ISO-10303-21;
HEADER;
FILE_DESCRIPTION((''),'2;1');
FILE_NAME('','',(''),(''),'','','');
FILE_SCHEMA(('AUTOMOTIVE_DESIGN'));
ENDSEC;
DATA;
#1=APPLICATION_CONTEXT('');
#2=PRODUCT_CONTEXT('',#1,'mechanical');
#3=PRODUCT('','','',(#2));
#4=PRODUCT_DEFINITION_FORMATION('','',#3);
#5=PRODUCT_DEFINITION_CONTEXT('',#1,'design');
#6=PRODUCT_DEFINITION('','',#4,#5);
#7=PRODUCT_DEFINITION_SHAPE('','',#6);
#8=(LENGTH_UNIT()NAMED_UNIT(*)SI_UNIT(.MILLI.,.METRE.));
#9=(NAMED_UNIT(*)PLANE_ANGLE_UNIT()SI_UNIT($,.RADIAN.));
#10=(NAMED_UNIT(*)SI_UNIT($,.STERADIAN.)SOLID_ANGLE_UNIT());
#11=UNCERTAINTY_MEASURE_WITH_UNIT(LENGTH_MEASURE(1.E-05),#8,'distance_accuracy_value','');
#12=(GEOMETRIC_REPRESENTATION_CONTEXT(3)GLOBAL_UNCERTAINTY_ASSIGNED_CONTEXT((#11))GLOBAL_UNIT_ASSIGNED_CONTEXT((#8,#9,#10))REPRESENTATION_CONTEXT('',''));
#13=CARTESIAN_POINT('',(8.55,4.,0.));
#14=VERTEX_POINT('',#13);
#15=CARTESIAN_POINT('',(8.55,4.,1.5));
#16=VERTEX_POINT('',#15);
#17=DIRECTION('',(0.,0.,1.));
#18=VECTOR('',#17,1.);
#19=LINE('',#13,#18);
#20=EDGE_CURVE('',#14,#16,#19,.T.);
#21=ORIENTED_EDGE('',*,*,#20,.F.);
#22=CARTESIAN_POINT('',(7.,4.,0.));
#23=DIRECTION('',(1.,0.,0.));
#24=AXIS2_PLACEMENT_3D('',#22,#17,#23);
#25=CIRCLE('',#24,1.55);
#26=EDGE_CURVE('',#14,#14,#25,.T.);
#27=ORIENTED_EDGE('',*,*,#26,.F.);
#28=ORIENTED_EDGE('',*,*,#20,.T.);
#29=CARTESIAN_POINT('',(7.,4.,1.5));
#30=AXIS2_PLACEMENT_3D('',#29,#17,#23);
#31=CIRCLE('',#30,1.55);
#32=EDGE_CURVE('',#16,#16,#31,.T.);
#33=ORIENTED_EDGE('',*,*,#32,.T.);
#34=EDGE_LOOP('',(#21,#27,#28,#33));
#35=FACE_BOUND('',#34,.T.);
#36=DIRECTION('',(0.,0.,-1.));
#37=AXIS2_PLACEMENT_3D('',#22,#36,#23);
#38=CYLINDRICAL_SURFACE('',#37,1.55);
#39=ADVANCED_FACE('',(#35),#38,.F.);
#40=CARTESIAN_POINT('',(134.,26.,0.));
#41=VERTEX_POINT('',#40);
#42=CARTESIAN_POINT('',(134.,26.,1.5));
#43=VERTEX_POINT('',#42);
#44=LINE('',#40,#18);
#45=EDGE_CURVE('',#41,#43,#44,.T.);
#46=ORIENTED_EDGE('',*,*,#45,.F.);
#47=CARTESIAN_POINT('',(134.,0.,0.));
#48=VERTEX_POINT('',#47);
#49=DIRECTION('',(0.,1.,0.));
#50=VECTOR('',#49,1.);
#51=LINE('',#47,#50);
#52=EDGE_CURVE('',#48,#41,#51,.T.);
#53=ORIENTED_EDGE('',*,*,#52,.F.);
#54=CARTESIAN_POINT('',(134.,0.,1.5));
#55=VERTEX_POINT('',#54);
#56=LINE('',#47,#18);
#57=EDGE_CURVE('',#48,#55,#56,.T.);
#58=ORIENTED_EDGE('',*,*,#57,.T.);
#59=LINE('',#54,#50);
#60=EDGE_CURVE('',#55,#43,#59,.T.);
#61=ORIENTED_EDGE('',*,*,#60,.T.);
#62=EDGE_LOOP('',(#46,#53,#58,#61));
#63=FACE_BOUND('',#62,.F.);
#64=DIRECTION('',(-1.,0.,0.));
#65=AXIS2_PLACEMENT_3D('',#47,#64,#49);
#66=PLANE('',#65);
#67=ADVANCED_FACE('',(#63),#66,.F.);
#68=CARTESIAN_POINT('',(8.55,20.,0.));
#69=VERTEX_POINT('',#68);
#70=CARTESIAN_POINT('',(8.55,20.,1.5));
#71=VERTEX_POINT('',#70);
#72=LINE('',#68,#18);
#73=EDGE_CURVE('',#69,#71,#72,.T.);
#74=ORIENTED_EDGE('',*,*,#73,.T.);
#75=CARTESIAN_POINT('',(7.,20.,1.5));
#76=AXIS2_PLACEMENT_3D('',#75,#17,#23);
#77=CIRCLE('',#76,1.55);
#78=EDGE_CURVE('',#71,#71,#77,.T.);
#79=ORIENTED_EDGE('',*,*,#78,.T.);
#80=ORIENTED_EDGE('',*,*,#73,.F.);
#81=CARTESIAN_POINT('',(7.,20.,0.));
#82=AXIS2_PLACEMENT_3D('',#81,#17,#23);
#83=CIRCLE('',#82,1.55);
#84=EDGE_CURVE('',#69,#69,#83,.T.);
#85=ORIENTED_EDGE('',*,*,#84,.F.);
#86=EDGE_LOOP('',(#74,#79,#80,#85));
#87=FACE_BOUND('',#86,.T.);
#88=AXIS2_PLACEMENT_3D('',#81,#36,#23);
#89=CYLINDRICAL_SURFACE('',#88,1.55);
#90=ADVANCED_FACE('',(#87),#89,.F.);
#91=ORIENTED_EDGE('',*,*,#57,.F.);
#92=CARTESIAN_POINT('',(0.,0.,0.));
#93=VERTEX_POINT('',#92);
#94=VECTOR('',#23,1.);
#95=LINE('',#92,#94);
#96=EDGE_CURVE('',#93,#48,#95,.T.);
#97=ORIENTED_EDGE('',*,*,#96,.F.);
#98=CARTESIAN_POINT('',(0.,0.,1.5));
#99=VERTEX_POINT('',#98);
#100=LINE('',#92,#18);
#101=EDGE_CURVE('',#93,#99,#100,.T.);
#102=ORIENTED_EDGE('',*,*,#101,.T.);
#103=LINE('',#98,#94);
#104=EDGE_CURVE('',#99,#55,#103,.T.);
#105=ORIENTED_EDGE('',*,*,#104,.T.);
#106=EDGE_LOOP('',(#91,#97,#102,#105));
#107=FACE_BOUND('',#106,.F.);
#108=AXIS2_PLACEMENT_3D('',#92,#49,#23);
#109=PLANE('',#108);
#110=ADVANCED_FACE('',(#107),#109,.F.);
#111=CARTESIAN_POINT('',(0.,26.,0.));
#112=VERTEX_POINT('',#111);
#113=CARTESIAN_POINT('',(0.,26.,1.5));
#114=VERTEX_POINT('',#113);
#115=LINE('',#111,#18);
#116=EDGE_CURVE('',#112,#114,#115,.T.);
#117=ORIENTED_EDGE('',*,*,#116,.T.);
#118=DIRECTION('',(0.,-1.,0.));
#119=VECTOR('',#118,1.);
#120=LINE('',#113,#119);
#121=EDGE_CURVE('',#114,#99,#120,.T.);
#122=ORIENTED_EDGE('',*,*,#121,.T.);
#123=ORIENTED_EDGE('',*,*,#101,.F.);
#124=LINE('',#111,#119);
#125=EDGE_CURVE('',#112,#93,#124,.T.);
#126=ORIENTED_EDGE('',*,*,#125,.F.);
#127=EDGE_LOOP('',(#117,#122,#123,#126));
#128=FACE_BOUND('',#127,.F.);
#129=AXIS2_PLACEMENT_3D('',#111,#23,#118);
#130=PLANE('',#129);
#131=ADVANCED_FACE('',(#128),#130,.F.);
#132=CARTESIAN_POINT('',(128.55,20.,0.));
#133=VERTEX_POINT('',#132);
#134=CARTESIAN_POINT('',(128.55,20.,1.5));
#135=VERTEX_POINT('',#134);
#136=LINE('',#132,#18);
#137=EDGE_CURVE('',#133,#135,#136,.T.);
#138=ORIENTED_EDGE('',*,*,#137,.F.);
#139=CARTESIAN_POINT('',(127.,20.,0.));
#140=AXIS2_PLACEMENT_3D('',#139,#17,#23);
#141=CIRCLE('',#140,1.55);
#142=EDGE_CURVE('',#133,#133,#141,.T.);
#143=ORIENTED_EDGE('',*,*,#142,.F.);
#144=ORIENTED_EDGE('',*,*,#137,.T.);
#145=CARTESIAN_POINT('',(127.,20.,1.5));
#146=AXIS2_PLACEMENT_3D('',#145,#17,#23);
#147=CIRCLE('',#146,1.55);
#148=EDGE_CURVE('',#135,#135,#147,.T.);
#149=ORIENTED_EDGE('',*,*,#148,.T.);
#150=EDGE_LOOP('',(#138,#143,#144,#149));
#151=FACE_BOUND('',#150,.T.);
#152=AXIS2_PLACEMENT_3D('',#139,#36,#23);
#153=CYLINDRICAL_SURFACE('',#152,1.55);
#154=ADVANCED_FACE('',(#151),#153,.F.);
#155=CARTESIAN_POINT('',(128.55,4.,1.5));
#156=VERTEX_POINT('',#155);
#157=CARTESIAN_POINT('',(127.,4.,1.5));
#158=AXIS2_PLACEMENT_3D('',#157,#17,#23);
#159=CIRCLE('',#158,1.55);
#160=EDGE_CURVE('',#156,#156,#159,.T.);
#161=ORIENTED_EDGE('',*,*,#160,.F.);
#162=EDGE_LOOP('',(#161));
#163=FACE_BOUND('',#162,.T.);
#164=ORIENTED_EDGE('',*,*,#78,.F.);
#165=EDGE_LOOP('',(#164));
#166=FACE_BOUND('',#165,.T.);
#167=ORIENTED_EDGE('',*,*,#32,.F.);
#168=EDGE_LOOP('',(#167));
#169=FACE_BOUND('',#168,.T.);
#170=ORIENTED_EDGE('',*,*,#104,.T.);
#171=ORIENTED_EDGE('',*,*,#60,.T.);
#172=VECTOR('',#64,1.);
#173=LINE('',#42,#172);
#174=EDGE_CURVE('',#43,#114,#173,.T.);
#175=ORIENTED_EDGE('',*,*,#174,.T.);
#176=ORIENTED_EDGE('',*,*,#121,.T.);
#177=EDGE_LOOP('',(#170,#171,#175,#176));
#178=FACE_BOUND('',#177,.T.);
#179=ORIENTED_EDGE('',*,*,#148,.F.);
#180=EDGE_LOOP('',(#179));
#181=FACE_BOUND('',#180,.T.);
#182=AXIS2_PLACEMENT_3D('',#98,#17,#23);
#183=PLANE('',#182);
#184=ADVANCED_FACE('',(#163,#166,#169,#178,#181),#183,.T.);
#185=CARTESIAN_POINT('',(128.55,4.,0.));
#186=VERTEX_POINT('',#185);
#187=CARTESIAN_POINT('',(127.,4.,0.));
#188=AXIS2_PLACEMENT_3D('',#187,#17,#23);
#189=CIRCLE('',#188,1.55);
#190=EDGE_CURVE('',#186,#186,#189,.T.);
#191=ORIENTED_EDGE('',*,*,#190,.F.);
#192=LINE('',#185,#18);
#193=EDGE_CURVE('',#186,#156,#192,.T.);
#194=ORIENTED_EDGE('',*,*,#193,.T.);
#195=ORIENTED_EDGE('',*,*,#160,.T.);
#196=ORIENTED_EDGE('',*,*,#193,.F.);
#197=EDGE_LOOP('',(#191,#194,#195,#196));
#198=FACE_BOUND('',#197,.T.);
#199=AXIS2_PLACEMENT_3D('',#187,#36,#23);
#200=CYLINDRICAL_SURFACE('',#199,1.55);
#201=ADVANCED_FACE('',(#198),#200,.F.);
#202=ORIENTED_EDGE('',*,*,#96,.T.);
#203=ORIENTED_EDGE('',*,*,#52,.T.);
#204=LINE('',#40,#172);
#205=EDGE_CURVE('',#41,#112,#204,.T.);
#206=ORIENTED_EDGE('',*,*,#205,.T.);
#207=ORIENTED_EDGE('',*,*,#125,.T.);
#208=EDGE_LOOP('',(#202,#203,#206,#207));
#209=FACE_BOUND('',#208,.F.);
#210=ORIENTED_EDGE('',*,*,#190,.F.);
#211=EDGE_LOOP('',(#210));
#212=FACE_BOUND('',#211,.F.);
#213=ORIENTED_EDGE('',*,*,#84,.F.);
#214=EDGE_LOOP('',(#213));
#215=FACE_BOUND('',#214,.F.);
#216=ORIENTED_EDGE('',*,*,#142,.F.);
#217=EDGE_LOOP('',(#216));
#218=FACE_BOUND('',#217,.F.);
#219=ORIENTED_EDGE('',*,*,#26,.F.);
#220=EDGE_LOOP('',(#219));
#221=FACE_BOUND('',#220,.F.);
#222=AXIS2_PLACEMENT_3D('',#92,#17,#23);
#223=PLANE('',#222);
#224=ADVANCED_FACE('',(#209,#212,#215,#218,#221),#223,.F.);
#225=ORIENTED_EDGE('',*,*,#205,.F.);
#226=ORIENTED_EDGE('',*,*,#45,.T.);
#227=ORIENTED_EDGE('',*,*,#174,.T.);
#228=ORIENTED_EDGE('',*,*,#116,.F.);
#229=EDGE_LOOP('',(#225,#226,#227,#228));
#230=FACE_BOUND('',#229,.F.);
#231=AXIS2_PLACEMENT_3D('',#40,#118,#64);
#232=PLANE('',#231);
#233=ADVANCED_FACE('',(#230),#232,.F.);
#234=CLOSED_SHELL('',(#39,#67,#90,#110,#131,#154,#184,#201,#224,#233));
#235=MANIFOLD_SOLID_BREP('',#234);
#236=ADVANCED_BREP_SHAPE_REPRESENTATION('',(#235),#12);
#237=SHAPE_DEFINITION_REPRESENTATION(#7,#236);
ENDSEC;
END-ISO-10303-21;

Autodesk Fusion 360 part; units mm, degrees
sketch "Sketch1" plane through (0, 0, 0) normal (0, 0, 1) x (1, 0, 0)
  line L0 (0, 0) -> (134, 0)
  line L1 (134, 0) -> (134, 26)
  line L2 (134, 26) -> (0, 26)
  line L3 (0, 26) -> (0, 0)
  circle A0 centre (7, 20) radius 1.55
  circle A1 centre (7, 4) radius 1.55
  circle A2 centre (127, 20) radius 1.55
  circle A3 centre (127, 4) radius 1.55
  dimension "d1" = 134
  dimension "d2" = 26
  dimension "d3" = 3.1
  dimension "d4" = 7
  dimension "d5" = 6
  dimension "d6" = 3.1
  dimension "d7" = 7
  dimension "d8" = 4
  dimension "d9" = 3.1
  dimension "d10" = 3.1
  dimension "d11" = 7
  dimension "d12" = 7
  dimension "d13" = 6
  dimension "d14" = 4
extrude "Extrude1" add sketch "Sketch1" along normal blind 1.5
equation "d6 = d3"
equation "d7 = d4"
equation "d9 = d3"
equation "d10 = d3"
equation "d11 = d4"
equation "d12 = d4"
equation "d13 = d5"
equation "d14 = d8"
